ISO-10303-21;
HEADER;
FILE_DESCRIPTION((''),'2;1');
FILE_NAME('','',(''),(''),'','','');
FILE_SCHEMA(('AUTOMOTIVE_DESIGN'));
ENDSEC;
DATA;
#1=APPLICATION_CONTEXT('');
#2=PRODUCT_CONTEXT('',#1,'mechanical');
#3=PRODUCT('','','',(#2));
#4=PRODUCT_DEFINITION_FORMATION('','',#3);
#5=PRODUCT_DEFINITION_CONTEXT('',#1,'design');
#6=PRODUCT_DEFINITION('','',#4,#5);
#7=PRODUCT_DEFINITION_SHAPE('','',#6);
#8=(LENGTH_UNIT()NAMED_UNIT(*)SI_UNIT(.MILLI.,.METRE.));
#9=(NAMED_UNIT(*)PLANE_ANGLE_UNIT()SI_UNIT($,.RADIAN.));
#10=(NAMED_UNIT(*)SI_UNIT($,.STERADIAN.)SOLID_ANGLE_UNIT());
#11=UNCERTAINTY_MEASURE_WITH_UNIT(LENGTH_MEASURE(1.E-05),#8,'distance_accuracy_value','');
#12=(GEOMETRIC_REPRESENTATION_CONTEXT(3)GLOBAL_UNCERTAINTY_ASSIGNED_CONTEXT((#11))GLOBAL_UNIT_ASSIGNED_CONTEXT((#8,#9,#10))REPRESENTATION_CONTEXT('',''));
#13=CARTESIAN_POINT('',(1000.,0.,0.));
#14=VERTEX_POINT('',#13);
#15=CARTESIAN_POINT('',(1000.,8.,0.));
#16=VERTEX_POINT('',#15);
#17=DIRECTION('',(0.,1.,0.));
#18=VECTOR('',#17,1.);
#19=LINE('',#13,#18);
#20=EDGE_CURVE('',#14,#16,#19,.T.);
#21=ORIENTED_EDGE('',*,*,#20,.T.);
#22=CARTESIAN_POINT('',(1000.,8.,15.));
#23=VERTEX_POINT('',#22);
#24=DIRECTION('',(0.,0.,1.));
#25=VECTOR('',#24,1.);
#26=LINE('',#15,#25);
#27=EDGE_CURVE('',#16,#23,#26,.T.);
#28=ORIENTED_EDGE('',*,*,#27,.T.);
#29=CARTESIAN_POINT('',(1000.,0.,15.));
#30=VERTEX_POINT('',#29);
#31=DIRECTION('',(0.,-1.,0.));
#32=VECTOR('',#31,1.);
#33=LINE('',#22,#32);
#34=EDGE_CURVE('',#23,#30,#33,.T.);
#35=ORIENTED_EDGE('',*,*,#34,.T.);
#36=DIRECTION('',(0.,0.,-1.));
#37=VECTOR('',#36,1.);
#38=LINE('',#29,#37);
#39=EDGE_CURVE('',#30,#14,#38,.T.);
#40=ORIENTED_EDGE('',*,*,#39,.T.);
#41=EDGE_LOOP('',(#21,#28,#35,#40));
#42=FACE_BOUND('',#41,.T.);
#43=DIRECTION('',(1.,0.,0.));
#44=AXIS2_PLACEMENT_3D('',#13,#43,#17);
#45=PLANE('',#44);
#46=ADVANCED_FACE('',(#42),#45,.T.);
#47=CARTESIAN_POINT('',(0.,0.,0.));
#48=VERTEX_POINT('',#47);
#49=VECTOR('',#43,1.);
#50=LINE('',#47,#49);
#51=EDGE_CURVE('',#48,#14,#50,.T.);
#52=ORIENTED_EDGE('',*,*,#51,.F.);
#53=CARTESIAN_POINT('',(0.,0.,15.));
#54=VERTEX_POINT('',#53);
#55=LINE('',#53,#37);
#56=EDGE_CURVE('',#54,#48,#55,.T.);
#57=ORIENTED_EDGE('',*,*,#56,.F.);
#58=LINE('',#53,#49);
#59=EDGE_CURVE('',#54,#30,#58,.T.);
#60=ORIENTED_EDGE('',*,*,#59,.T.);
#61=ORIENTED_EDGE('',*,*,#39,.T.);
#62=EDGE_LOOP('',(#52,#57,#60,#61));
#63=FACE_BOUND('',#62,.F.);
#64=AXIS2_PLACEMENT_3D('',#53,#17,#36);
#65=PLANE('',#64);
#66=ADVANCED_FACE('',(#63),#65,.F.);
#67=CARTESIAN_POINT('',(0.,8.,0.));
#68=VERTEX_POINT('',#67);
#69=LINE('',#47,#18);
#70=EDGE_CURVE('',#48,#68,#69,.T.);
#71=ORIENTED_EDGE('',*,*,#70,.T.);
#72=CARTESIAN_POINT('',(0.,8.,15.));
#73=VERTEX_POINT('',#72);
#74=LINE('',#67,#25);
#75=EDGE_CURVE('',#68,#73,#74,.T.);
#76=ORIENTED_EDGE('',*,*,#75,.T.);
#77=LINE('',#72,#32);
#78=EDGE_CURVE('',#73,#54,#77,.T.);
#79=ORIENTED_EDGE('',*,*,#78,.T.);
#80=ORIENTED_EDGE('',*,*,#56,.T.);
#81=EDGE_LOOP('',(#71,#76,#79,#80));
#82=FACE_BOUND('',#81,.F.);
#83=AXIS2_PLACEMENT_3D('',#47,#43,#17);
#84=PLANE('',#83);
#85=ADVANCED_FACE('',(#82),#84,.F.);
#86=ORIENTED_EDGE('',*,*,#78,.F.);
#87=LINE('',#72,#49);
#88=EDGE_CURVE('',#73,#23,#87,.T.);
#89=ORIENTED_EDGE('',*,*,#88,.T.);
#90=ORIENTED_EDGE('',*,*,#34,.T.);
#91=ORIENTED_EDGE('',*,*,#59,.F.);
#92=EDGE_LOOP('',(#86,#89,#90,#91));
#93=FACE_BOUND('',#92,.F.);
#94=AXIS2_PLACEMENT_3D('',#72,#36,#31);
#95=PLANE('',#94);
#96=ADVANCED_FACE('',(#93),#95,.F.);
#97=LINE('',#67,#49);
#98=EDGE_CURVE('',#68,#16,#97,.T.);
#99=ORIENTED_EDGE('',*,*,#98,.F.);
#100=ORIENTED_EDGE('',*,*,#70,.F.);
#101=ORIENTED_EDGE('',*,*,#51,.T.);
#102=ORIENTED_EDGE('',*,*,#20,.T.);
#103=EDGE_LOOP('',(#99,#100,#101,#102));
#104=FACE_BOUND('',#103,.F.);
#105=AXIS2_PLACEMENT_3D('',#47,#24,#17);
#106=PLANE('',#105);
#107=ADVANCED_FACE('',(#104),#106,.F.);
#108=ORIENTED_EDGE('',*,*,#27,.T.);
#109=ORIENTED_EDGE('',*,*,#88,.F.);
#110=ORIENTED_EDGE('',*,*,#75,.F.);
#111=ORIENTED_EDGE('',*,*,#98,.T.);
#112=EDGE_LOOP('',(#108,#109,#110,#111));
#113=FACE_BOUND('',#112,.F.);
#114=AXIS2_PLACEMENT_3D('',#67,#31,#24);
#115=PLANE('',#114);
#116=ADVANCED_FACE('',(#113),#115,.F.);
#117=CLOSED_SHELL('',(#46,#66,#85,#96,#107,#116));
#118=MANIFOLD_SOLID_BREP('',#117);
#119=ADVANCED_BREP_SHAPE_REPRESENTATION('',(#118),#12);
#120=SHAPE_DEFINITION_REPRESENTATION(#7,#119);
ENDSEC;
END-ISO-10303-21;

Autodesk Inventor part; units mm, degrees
ref_plane "YZ Plane" through (0, 0, 0) normal (1, 0, 0) x (0, 1, 0)
ref_plane "XZ Plane" through (0, 0, 0) normal (0, 1, 0) x (-1, 0, 0)
ref_plane "XY Plane" through (0, 0, 0) normal (0, 0, 1) x (1, 0, 0)
sketch "Sketch3" plane through (0, 0, 0) normal (1, 0, 0) x (0, 1, 0)
  line L0 (0, 0) -> (8, 0)
  line L1 (8, 0) -> (8, 15)
  line L2 (8, 15) -> (0, 15)
  line L3 (0, 15) -> (0, 0)
  dimension "d30" = 8
  dimension "d31" = 15
extrude "Extrusion3" add sketch "Sketch3" along normal blind 1000
equation "\"ToothCut\" = 3"
equation "\"Width\" = 6"
properties part number "Rack"
